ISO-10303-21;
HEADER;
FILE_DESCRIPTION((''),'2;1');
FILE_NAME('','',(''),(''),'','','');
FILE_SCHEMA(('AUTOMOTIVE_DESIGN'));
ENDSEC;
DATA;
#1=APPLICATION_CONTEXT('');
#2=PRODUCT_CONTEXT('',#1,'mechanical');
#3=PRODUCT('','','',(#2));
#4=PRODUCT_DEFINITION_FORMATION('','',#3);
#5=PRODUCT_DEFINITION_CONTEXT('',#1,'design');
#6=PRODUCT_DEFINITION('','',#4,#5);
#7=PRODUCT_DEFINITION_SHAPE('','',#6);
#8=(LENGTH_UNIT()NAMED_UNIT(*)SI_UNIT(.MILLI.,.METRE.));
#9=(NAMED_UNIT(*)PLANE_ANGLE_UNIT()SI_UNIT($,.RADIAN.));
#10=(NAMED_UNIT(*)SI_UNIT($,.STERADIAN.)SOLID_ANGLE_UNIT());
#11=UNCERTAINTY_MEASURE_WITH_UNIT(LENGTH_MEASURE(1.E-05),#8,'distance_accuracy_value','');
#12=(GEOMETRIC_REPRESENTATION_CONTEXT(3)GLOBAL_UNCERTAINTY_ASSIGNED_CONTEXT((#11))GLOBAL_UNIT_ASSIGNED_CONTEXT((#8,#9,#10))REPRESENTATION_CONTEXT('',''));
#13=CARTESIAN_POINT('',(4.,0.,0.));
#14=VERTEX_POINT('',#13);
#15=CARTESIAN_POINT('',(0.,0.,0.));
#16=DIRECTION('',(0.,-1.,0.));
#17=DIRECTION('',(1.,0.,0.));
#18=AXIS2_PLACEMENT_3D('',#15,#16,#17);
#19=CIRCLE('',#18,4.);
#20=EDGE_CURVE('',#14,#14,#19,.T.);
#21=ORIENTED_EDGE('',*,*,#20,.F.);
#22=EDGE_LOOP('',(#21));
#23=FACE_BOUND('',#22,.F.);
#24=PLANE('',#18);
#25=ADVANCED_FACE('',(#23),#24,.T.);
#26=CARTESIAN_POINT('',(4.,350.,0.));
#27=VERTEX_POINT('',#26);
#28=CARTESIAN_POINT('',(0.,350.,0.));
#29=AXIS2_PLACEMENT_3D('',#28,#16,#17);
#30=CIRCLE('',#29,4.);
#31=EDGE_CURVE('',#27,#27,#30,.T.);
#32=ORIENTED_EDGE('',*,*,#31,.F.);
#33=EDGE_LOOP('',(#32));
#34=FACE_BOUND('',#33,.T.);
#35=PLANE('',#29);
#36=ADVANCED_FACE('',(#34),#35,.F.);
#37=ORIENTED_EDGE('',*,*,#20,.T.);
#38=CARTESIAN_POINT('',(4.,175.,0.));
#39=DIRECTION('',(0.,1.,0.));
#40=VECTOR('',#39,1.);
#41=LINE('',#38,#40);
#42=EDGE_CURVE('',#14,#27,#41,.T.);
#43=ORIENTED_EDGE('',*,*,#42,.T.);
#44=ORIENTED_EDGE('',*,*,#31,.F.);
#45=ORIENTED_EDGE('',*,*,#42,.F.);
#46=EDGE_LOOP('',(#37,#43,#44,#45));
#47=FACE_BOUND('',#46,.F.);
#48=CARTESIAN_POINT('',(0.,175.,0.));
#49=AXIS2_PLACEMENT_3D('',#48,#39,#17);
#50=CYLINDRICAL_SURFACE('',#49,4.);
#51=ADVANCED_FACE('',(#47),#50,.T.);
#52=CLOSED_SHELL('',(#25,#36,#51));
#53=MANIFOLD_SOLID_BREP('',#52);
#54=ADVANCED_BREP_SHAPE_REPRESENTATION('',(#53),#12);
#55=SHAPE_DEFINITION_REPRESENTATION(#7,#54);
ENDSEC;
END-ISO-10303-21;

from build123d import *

# Parameters (mm, degrees)
SKETCH1_W = 4
SKETCH1_H = 350


with BuildPart() as part:
    # Sketch1 → Revolve1 (revolve)
    with BuildSketch(Plane.XY):
        with Locations((2, 175)):
            Rectangle(SKETCH1_W, SKETCH1_H)
    revolve(axis=Axis((0, 350, 0), (0, -1, 0)))


solid = part.part
